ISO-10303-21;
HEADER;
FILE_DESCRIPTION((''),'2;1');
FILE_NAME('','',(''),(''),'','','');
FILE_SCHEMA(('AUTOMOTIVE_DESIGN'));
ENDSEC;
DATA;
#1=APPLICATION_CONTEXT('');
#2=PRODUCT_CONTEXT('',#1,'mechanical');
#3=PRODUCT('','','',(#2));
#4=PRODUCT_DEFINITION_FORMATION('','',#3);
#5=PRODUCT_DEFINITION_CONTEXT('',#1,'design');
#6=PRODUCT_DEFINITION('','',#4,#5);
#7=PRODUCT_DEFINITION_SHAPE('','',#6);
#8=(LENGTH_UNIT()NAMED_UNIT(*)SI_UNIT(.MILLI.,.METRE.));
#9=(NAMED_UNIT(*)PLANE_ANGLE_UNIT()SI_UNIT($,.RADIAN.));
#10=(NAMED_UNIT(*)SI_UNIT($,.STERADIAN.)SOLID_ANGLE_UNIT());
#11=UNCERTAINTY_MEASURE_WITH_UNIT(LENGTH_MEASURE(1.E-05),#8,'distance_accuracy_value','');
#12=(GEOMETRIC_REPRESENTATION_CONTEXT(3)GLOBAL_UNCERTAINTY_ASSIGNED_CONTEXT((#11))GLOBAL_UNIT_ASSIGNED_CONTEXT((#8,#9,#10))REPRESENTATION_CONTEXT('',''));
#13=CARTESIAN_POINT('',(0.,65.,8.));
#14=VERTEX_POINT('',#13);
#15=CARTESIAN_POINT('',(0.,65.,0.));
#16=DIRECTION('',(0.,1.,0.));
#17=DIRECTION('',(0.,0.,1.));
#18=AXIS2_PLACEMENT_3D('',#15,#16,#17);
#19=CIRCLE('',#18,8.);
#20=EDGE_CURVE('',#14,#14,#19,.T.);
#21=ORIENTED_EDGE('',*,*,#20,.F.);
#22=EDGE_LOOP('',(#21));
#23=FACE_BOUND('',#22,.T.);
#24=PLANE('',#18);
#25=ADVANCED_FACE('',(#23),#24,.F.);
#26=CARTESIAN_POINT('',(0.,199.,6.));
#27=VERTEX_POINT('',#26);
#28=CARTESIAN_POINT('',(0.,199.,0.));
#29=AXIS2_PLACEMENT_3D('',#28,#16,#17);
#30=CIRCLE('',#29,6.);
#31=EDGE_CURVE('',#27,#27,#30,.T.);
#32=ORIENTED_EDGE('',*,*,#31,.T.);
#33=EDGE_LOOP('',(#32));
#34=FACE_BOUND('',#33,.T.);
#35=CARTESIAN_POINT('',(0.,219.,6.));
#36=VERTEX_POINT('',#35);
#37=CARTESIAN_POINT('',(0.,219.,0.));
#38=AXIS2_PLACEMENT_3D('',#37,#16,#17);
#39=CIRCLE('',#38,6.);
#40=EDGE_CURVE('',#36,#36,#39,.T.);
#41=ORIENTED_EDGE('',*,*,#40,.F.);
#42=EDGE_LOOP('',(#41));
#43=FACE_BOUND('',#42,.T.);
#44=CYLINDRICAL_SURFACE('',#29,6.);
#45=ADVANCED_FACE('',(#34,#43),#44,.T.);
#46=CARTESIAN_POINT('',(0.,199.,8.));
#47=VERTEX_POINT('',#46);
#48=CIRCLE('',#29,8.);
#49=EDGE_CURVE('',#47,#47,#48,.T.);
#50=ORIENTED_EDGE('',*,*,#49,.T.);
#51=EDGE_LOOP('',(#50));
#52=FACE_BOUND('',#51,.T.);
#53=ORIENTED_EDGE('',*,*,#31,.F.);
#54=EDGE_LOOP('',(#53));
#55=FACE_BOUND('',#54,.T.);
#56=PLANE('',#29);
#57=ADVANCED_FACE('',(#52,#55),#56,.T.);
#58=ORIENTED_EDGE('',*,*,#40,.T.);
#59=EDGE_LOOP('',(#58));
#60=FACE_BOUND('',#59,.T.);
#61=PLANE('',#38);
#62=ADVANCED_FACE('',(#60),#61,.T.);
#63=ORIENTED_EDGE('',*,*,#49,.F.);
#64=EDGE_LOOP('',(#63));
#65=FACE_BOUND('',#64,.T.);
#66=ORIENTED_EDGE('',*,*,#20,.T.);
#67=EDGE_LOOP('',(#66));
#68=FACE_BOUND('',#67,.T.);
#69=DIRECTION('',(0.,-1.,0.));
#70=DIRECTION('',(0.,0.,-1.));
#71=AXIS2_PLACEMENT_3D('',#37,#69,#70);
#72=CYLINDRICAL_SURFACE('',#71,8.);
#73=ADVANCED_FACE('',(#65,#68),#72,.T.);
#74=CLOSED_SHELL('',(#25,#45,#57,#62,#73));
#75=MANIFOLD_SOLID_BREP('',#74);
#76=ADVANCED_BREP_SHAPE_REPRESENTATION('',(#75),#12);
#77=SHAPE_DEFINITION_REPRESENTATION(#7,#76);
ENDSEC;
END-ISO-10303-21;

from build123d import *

# Parameters (mm, degrees)
EXTRUDE_START       = 65
SKETCH_1_R          = 8
EXTRUDE_1_DEPTH     = 154
SKETCH_2_R          = 10
SKETCH_2_R_2        = 6
CUT_EXTRUDE_1_DEPTH = 20


with BuildPart() as part:
    # Эскиз1 → Вытянуть1 (new body)
    with BuildSketch(Plane(origin=(0, 0, 0), x_dir=(1, 0, 0), z_dir=(0, 1, 0)).offset(EXTRUDE_START)):
        Circle(SKETCH_1_R)
    extrude(amount=EXTRUDE_1_DEPTH)

    # Эскиз2 → Вырез-Вытянуть1 (cut)
    with BuildSketch(Plane(origin=(0, 219, 0), x_dir=(1, 0, 0), z_dir=(0, 1, 0))):
        Circle(SKETCH_2_R)
        Circle(SKETCH_2_R_2, mode=Mode.SUBTRACT)
    extrude(amount=-CUT_EXTRUDE_1_DEPTH, mode=Mode.SUBTRACT)


solid = part.part
